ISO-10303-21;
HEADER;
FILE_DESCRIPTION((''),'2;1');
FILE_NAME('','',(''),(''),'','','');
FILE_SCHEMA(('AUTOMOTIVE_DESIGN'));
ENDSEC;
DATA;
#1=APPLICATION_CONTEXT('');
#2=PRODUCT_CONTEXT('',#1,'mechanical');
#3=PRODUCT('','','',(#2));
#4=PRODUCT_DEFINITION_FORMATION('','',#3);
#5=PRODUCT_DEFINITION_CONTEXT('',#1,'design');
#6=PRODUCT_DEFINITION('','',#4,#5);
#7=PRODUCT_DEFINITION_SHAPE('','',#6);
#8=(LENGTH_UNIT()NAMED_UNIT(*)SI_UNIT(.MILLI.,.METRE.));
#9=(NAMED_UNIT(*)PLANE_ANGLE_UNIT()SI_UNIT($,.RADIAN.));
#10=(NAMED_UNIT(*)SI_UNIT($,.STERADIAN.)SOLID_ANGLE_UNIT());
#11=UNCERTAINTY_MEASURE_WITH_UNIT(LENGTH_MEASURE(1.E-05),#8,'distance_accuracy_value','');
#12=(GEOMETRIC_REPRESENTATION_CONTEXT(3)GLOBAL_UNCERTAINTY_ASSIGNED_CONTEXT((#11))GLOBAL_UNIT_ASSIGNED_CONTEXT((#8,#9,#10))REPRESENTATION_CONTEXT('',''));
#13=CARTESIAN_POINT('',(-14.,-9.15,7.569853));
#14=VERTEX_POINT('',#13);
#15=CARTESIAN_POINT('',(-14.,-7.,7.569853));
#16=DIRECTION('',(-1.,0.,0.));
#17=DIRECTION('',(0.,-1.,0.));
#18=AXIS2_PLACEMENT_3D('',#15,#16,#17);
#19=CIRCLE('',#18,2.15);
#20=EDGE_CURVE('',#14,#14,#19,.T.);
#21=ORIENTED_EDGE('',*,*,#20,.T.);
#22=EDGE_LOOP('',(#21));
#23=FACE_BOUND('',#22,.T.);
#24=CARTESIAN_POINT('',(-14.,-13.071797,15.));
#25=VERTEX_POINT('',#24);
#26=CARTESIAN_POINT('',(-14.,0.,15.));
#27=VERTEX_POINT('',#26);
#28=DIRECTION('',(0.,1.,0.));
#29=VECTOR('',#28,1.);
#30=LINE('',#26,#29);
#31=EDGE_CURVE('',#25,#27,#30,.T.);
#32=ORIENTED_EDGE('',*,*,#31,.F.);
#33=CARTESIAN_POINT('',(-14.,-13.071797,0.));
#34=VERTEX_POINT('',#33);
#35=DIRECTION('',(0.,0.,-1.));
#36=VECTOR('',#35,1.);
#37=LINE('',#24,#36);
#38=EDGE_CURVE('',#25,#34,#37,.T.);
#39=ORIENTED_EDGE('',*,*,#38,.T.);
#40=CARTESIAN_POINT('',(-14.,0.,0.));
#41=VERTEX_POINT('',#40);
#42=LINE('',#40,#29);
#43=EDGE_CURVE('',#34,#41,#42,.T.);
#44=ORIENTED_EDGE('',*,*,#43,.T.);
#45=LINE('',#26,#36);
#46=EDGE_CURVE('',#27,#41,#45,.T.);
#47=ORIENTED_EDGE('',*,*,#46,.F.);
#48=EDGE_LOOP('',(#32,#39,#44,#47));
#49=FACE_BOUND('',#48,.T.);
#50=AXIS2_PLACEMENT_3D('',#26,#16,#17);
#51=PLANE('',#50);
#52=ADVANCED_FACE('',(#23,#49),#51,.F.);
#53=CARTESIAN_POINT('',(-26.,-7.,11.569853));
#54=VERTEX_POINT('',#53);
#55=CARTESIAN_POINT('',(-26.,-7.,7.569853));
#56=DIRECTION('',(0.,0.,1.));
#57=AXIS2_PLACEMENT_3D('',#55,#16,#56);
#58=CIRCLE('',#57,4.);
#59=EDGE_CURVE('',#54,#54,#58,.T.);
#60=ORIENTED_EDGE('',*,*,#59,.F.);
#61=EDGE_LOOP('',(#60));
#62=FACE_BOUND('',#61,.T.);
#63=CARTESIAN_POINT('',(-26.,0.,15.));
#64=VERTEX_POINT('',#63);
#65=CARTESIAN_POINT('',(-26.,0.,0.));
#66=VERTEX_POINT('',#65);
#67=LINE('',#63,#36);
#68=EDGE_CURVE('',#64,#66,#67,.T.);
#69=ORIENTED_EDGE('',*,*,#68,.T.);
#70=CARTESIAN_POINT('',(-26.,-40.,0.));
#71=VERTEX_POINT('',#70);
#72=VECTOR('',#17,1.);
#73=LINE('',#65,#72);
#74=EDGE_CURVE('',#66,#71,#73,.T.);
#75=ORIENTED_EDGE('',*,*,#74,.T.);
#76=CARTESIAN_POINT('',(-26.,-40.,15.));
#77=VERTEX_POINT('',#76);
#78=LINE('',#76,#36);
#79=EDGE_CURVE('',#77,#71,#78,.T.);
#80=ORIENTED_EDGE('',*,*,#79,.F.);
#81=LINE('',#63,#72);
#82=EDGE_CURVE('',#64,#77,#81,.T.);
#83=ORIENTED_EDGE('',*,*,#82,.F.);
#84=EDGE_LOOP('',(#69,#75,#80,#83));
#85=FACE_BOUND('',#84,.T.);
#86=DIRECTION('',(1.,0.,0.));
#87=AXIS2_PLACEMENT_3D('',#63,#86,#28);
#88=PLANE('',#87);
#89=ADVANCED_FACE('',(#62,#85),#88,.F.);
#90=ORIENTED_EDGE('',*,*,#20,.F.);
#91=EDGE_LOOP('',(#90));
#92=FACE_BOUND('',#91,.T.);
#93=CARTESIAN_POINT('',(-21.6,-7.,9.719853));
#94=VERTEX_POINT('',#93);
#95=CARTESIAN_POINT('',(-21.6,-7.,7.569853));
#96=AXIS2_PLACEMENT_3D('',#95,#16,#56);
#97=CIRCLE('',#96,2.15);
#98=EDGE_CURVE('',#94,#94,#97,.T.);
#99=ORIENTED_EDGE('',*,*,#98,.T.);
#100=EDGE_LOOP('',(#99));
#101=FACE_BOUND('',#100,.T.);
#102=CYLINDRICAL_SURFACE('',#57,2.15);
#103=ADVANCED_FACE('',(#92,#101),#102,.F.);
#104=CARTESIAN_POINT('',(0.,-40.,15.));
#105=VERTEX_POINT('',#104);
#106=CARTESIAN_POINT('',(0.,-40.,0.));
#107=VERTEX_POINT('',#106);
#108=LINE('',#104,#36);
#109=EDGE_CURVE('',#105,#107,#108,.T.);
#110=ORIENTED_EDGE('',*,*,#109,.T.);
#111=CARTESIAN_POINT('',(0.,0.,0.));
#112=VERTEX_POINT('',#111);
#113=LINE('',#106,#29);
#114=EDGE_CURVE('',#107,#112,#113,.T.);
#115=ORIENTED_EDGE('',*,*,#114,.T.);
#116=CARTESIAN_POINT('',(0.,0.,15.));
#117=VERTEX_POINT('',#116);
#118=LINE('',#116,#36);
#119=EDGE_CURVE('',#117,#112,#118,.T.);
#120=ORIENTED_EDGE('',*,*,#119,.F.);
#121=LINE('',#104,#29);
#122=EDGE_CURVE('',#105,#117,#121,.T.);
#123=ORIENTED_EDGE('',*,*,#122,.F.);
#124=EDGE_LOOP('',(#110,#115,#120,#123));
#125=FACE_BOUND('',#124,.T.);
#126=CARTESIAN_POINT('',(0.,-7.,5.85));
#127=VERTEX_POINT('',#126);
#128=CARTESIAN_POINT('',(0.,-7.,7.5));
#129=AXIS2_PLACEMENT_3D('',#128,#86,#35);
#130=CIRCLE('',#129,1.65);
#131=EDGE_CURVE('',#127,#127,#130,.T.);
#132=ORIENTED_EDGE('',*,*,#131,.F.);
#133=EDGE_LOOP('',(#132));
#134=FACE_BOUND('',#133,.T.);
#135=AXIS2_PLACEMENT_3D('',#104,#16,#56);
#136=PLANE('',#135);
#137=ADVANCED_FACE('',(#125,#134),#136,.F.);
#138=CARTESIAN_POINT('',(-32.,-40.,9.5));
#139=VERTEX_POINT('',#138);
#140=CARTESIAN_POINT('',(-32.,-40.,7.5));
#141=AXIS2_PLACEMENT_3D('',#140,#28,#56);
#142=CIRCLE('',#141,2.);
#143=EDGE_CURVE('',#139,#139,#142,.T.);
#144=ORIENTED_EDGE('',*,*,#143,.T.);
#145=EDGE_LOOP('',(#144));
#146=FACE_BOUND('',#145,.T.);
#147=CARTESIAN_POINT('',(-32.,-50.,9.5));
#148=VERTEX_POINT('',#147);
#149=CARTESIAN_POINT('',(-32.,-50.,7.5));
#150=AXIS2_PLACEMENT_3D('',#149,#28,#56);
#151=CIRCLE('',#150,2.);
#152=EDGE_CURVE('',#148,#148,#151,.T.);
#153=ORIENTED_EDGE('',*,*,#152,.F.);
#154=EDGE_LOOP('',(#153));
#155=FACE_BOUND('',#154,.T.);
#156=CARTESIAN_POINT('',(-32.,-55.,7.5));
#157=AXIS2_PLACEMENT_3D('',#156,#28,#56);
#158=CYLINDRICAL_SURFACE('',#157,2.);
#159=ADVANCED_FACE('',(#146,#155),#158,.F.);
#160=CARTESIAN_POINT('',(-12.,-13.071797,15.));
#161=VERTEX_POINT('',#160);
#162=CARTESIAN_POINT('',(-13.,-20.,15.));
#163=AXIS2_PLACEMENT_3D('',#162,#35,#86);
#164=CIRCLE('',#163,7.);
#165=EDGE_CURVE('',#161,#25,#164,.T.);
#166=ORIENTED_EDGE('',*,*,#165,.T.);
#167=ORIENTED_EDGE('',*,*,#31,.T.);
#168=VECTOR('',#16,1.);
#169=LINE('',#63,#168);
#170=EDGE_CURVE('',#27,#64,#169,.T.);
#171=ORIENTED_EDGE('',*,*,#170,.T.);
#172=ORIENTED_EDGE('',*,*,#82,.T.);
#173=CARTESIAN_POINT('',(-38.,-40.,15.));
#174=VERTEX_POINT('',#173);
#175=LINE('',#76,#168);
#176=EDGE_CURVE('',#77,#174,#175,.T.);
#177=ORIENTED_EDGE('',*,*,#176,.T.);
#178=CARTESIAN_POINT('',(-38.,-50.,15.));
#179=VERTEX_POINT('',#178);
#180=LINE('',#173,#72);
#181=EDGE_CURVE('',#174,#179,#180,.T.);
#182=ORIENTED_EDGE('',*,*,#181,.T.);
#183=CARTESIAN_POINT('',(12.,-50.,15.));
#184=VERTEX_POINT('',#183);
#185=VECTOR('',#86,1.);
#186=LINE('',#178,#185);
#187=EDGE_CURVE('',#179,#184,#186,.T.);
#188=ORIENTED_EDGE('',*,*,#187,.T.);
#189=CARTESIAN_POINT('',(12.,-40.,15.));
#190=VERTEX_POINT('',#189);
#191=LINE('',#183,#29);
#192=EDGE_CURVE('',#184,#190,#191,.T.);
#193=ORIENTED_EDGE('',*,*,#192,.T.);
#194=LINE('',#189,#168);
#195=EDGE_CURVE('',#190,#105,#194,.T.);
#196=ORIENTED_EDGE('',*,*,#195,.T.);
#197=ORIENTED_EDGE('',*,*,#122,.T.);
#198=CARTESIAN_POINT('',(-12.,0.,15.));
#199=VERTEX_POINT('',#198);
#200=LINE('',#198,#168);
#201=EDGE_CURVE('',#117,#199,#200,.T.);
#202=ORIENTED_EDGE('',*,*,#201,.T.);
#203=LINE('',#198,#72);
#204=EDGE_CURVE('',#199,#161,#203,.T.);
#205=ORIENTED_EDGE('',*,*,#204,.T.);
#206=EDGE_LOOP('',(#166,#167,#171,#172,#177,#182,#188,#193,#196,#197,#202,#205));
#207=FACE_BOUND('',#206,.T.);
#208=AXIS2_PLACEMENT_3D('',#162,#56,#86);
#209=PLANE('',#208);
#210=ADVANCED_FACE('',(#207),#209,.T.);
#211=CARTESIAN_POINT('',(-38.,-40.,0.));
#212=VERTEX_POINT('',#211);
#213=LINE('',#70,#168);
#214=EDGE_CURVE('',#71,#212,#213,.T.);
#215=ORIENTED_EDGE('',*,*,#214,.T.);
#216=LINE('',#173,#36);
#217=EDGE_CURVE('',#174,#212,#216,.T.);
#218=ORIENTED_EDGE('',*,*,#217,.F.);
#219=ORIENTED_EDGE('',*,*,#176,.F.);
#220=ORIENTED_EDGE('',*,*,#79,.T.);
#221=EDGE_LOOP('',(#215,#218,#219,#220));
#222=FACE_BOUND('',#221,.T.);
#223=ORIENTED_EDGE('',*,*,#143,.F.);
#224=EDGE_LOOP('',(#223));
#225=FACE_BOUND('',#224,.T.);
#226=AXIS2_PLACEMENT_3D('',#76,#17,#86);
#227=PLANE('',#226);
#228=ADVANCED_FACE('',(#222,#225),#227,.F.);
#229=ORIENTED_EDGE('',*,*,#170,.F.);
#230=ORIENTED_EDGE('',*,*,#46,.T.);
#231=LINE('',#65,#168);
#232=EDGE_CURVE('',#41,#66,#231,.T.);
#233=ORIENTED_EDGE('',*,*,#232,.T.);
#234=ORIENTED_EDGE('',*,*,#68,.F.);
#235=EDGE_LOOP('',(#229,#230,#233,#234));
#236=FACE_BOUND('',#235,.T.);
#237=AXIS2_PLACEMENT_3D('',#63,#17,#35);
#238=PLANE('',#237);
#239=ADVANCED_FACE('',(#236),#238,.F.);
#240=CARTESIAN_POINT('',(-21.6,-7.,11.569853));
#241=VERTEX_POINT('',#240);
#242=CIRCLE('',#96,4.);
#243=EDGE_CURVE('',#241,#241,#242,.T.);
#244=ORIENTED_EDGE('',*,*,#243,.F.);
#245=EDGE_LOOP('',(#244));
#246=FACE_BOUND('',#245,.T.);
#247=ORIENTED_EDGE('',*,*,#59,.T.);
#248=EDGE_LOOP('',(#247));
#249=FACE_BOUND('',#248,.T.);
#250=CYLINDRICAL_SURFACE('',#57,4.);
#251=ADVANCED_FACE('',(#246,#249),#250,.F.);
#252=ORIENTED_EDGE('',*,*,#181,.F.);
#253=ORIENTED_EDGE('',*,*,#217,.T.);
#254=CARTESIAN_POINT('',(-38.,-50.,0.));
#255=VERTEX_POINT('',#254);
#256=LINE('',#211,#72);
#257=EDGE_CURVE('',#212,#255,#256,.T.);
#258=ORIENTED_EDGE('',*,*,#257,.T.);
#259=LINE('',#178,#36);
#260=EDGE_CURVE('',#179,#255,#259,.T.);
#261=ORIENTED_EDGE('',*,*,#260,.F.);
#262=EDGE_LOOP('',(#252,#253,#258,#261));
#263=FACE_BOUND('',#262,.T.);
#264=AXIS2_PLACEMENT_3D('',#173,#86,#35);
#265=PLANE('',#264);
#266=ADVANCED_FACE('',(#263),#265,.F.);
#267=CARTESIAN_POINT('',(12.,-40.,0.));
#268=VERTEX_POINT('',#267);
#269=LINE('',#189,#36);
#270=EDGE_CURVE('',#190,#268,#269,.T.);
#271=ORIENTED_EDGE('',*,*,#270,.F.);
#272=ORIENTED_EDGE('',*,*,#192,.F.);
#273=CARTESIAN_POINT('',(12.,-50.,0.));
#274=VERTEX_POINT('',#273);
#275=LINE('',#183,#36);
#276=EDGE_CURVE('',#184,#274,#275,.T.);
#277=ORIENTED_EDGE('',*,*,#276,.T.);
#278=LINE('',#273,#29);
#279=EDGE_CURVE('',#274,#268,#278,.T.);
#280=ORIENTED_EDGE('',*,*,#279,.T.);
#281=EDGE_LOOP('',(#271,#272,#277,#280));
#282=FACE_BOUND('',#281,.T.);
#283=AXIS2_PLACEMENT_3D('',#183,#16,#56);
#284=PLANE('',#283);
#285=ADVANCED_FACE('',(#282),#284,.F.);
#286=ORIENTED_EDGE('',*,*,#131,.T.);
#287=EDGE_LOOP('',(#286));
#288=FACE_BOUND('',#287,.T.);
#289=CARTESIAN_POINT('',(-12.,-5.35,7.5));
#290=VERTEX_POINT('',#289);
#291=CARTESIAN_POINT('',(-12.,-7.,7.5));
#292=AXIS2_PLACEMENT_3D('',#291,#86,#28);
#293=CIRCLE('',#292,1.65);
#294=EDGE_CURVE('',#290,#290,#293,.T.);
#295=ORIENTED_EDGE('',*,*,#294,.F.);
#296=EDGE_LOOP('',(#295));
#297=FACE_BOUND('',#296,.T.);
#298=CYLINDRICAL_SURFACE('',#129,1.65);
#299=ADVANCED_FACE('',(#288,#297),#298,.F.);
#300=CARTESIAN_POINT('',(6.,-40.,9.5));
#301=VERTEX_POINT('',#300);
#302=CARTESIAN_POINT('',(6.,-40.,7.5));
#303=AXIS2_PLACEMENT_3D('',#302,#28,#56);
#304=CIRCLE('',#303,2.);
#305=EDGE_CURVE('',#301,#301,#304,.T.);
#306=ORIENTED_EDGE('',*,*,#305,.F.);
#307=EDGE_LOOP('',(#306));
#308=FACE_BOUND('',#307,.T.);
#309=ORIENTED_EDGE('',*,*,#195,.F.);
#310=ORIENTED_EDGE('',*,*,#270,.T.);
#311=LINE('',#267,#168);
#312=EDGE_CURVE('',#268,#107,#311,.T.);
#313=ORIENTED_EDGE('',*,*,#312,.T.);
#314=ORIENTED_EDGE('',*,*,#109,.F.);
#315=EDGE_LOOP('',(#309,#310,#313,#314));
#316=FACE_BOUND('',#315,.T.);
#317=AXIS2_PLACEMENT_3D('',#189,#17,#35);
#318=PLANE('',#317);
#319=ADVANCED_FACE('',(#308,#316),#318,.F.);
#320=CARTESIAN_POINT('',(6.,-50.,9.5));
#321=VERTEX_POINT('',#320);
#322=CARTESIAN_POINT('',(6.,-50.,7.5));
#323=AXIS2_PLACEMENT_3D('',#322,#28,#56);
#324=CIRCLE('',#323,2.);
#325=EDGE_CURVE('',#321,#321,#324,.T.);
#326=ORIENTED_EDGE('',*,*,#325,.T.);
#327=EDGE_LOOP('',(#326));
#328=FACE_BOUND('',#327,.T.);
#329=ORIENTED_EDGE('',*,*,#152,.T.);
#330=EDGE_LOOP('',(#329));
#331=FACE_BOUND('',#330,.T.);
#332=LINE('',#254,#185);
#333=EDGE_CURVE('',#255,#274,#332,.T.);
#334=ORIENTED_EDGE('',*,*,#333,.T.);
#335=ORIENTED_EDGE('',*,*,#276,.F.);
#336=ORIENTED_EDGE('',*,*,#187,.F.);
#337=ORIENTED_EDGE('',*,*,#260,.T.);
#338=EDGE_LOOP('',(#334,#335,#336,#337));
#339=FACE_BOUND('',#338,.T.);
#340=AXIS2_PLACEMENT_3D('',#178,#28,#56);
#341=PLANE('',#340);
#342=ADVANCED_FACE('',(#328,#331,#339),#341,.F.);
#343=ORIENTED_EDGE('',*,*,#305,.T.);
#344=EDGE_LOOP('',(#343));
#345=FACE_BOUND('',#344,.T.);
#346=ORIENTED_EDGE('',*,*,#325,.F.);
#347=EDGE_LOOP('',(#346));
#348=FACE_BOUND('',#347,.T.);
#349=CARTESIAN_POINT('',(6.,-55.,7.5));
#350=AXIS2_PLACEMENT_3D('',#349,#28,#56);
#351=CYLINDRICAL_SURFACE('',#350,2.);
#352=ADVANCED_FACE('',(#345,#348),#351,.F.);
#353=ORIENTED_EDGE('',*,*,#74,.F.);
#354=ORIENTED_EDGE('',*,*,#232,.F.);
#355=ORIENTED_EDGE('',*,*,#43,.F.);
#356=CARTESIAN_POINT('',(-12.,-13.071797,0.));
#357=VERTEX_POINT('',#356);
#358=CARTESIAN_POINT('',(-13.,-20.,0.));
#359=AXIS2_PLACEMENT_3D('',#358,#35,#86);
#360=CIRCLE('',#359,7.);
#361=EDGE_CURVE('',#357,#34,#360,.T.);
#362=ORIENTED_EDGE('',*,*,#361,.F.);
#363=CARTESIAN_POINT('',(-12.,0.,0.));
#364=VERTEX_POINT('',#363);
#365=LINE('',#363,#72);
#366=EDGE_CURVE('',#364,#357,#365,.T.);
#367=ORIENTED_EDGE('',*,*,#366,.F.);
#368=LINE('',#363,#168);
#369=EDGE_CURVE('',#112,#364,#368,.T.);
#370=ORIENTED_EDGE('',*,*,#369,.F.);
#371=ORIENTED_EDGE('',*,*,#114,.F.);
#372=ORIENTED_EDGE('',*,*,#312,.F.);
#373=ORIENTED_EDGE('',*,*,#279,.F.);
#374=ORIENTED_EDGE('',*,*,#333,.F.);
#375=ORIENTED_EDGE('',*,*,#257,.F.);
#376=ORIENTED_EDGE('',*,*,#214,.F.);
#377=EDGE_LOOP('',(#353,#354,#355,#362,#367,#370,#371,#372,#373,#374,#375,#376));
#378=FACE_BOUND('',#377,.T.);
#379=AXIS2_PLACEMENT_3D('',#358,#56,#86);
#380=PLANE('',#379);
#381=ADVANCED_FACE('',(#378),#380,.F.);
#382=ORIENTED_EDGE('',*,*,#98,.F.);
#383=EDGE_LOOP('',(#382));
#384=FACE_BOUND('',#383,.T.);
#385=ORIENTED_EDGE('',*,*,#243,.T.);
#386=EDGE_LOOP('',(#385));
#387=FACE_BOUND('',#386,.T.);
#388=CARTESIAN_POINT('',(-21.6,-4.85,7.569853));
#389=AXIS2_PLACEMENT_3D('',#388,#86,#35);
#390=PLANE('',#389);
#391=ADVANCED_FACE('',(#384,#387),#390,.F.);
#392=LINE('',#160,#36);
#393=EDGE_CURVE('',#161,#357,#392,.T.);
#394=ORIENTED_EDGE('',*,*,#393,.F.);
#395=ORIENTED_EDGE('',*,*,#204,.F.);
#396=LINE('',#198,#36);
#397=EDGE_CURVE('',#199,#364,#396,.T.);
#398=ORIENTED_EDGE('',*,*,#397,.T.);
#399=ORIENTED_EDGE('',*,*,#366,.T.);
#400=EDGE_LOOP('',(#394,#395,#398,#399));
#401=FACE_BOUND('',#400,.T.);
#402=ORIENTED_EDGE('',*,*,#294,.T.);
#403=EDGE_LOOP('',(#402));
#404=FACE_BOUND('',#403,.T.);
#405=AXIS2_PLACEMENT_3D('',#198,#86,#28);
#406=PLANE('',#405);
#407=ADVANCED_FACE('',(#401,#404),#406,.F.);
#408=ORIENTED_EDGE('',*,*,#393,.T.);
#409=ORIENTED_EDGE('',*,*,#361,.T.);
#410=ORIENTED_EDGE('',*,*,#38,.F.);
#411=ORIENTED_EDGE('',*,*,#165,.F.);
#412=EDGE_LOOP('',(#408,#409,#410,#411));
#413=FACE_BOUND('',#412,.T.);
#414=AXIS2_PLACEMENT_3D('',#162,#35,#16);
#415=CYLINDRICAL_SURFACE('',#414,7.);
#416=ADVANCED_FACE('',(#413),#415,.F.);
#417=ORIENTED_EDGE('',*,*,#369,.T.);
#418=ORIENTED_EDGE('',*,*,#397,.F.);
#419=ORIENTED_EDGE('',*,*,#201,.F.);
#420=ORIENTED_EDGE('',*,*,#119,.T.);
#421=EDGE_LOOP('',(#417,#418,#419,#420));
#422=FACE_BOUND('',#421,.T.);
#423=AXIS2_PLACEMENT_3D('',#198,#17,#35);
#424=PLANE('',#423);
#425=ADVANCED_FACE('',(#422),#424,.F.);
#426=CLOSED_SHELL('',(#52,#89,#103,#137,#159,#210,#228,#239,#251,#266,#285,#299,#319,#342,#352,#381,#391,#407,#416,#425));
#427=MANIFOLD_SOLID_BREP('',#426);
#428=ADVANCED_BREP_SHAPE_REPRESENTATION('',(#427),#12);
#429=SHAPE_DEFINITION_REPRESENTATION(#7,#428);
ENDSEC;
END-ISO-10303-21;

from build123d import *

# Parameters (mm, degrees)
BOSS_EXTRUDE1_DEPTH                                = 15
SKETCH5_R                                          = 2
CUT_EXTRUDE3_DEPTH                                 = 15
CHAMBRAGE_POUR_VIS_T_TE_HEXAGONALE_M41_D           = 4.3
CHAMBRAGE_POUR_VIS_T_TE_HEXAGONALE_M41_DEPTH       = 12
CHAMBRAGE_POUR_VIS_T_TE_HEXAGONALE_M41_CBORE_D     = 8
CHAMBRAGE_POUR_VIS_T_TE_HEXAGONALE_M41_CBORE_DEPTH = 4.4
TROU_TARAUD_M41_D                                  = 3.3


with BuildPart() as part:
    # Sketch1 → Boss-Extrude1 (new body)
    with BuildSketch(Plane.XY):
        with BuildLine():
            Line((-26, 0), (-26, -40))
            Line((-26, -40), (-38, -40))
            Line((-38, -40), (-38, -50))
            Line((-38, -50), (12, -50))
            Line((12, -50), (12, -40))
            Line((12, -40), (0, -40))
            Line((0, -40), (0, 0))
            Line((0, 0), (-12, 0))
            Line((-12, 0), (-12, -13.07179677))
            ThreePointArc((-12, -13.07179677), (-13, -27), (-14, -13.07179677))
            Line((-14, -13.07179677), (-14, 0))
            Line((-14, 0), (-26, 0))
        make_face()
    extrude(amount=BOSS_EXTRUDE1_DEPTH)

    # Sketch5 → Cut-Extrude3 (cut)
    with BuildSketch(Plane(origin=(0, -40, 0), x_dir=(1, 0, 0), z_dir=(0, 1, 0))):
        with Locations(Location((6, -7.5, 0), (0, 0, 270))):
            Circle(SKETCH5_R)
        with Locations(Location((-32, -7.5, 0), (0, 0, 270))):
            Circle(SKETCH5_R)
    extrude(amount=-CUT_EXTRUDE3_DEPTH, mode=Mode.SUBTRACT)

    # Chambrage pour vis à tête hexagonale M41
    with Locations(Plane.ZY.offset(26)):
        with Locations((7.569852971, -7)):
            CounterBoreHole(CHAMBRAGE_POUR_VIS_T_TE_HEXAGONALE_M41_D / 2, CHAMBRAGE_POUR_VIS_T_TE_HEXAGONALE_M41_CBORE_D / 2, CHAMBRAGE_POUR_VIS_T_TE_HEXAGONALE_M41_CBORE_DEPTH, depth=CHAMBRAGE_POUR_VIS_T_TE_HEXAGONALE_M41_DEPTH)

    # Trou taraudé M41 (through all)
    with Locations(Plane(origin=(0, 0, 0), x_dir=(0, 0, -1), z_dir=(1, 0, 0))):
        with Locations((-7.5, -7)):
            Hole(TROU_TARAUD_M41_D / 2)


solid = part.part
